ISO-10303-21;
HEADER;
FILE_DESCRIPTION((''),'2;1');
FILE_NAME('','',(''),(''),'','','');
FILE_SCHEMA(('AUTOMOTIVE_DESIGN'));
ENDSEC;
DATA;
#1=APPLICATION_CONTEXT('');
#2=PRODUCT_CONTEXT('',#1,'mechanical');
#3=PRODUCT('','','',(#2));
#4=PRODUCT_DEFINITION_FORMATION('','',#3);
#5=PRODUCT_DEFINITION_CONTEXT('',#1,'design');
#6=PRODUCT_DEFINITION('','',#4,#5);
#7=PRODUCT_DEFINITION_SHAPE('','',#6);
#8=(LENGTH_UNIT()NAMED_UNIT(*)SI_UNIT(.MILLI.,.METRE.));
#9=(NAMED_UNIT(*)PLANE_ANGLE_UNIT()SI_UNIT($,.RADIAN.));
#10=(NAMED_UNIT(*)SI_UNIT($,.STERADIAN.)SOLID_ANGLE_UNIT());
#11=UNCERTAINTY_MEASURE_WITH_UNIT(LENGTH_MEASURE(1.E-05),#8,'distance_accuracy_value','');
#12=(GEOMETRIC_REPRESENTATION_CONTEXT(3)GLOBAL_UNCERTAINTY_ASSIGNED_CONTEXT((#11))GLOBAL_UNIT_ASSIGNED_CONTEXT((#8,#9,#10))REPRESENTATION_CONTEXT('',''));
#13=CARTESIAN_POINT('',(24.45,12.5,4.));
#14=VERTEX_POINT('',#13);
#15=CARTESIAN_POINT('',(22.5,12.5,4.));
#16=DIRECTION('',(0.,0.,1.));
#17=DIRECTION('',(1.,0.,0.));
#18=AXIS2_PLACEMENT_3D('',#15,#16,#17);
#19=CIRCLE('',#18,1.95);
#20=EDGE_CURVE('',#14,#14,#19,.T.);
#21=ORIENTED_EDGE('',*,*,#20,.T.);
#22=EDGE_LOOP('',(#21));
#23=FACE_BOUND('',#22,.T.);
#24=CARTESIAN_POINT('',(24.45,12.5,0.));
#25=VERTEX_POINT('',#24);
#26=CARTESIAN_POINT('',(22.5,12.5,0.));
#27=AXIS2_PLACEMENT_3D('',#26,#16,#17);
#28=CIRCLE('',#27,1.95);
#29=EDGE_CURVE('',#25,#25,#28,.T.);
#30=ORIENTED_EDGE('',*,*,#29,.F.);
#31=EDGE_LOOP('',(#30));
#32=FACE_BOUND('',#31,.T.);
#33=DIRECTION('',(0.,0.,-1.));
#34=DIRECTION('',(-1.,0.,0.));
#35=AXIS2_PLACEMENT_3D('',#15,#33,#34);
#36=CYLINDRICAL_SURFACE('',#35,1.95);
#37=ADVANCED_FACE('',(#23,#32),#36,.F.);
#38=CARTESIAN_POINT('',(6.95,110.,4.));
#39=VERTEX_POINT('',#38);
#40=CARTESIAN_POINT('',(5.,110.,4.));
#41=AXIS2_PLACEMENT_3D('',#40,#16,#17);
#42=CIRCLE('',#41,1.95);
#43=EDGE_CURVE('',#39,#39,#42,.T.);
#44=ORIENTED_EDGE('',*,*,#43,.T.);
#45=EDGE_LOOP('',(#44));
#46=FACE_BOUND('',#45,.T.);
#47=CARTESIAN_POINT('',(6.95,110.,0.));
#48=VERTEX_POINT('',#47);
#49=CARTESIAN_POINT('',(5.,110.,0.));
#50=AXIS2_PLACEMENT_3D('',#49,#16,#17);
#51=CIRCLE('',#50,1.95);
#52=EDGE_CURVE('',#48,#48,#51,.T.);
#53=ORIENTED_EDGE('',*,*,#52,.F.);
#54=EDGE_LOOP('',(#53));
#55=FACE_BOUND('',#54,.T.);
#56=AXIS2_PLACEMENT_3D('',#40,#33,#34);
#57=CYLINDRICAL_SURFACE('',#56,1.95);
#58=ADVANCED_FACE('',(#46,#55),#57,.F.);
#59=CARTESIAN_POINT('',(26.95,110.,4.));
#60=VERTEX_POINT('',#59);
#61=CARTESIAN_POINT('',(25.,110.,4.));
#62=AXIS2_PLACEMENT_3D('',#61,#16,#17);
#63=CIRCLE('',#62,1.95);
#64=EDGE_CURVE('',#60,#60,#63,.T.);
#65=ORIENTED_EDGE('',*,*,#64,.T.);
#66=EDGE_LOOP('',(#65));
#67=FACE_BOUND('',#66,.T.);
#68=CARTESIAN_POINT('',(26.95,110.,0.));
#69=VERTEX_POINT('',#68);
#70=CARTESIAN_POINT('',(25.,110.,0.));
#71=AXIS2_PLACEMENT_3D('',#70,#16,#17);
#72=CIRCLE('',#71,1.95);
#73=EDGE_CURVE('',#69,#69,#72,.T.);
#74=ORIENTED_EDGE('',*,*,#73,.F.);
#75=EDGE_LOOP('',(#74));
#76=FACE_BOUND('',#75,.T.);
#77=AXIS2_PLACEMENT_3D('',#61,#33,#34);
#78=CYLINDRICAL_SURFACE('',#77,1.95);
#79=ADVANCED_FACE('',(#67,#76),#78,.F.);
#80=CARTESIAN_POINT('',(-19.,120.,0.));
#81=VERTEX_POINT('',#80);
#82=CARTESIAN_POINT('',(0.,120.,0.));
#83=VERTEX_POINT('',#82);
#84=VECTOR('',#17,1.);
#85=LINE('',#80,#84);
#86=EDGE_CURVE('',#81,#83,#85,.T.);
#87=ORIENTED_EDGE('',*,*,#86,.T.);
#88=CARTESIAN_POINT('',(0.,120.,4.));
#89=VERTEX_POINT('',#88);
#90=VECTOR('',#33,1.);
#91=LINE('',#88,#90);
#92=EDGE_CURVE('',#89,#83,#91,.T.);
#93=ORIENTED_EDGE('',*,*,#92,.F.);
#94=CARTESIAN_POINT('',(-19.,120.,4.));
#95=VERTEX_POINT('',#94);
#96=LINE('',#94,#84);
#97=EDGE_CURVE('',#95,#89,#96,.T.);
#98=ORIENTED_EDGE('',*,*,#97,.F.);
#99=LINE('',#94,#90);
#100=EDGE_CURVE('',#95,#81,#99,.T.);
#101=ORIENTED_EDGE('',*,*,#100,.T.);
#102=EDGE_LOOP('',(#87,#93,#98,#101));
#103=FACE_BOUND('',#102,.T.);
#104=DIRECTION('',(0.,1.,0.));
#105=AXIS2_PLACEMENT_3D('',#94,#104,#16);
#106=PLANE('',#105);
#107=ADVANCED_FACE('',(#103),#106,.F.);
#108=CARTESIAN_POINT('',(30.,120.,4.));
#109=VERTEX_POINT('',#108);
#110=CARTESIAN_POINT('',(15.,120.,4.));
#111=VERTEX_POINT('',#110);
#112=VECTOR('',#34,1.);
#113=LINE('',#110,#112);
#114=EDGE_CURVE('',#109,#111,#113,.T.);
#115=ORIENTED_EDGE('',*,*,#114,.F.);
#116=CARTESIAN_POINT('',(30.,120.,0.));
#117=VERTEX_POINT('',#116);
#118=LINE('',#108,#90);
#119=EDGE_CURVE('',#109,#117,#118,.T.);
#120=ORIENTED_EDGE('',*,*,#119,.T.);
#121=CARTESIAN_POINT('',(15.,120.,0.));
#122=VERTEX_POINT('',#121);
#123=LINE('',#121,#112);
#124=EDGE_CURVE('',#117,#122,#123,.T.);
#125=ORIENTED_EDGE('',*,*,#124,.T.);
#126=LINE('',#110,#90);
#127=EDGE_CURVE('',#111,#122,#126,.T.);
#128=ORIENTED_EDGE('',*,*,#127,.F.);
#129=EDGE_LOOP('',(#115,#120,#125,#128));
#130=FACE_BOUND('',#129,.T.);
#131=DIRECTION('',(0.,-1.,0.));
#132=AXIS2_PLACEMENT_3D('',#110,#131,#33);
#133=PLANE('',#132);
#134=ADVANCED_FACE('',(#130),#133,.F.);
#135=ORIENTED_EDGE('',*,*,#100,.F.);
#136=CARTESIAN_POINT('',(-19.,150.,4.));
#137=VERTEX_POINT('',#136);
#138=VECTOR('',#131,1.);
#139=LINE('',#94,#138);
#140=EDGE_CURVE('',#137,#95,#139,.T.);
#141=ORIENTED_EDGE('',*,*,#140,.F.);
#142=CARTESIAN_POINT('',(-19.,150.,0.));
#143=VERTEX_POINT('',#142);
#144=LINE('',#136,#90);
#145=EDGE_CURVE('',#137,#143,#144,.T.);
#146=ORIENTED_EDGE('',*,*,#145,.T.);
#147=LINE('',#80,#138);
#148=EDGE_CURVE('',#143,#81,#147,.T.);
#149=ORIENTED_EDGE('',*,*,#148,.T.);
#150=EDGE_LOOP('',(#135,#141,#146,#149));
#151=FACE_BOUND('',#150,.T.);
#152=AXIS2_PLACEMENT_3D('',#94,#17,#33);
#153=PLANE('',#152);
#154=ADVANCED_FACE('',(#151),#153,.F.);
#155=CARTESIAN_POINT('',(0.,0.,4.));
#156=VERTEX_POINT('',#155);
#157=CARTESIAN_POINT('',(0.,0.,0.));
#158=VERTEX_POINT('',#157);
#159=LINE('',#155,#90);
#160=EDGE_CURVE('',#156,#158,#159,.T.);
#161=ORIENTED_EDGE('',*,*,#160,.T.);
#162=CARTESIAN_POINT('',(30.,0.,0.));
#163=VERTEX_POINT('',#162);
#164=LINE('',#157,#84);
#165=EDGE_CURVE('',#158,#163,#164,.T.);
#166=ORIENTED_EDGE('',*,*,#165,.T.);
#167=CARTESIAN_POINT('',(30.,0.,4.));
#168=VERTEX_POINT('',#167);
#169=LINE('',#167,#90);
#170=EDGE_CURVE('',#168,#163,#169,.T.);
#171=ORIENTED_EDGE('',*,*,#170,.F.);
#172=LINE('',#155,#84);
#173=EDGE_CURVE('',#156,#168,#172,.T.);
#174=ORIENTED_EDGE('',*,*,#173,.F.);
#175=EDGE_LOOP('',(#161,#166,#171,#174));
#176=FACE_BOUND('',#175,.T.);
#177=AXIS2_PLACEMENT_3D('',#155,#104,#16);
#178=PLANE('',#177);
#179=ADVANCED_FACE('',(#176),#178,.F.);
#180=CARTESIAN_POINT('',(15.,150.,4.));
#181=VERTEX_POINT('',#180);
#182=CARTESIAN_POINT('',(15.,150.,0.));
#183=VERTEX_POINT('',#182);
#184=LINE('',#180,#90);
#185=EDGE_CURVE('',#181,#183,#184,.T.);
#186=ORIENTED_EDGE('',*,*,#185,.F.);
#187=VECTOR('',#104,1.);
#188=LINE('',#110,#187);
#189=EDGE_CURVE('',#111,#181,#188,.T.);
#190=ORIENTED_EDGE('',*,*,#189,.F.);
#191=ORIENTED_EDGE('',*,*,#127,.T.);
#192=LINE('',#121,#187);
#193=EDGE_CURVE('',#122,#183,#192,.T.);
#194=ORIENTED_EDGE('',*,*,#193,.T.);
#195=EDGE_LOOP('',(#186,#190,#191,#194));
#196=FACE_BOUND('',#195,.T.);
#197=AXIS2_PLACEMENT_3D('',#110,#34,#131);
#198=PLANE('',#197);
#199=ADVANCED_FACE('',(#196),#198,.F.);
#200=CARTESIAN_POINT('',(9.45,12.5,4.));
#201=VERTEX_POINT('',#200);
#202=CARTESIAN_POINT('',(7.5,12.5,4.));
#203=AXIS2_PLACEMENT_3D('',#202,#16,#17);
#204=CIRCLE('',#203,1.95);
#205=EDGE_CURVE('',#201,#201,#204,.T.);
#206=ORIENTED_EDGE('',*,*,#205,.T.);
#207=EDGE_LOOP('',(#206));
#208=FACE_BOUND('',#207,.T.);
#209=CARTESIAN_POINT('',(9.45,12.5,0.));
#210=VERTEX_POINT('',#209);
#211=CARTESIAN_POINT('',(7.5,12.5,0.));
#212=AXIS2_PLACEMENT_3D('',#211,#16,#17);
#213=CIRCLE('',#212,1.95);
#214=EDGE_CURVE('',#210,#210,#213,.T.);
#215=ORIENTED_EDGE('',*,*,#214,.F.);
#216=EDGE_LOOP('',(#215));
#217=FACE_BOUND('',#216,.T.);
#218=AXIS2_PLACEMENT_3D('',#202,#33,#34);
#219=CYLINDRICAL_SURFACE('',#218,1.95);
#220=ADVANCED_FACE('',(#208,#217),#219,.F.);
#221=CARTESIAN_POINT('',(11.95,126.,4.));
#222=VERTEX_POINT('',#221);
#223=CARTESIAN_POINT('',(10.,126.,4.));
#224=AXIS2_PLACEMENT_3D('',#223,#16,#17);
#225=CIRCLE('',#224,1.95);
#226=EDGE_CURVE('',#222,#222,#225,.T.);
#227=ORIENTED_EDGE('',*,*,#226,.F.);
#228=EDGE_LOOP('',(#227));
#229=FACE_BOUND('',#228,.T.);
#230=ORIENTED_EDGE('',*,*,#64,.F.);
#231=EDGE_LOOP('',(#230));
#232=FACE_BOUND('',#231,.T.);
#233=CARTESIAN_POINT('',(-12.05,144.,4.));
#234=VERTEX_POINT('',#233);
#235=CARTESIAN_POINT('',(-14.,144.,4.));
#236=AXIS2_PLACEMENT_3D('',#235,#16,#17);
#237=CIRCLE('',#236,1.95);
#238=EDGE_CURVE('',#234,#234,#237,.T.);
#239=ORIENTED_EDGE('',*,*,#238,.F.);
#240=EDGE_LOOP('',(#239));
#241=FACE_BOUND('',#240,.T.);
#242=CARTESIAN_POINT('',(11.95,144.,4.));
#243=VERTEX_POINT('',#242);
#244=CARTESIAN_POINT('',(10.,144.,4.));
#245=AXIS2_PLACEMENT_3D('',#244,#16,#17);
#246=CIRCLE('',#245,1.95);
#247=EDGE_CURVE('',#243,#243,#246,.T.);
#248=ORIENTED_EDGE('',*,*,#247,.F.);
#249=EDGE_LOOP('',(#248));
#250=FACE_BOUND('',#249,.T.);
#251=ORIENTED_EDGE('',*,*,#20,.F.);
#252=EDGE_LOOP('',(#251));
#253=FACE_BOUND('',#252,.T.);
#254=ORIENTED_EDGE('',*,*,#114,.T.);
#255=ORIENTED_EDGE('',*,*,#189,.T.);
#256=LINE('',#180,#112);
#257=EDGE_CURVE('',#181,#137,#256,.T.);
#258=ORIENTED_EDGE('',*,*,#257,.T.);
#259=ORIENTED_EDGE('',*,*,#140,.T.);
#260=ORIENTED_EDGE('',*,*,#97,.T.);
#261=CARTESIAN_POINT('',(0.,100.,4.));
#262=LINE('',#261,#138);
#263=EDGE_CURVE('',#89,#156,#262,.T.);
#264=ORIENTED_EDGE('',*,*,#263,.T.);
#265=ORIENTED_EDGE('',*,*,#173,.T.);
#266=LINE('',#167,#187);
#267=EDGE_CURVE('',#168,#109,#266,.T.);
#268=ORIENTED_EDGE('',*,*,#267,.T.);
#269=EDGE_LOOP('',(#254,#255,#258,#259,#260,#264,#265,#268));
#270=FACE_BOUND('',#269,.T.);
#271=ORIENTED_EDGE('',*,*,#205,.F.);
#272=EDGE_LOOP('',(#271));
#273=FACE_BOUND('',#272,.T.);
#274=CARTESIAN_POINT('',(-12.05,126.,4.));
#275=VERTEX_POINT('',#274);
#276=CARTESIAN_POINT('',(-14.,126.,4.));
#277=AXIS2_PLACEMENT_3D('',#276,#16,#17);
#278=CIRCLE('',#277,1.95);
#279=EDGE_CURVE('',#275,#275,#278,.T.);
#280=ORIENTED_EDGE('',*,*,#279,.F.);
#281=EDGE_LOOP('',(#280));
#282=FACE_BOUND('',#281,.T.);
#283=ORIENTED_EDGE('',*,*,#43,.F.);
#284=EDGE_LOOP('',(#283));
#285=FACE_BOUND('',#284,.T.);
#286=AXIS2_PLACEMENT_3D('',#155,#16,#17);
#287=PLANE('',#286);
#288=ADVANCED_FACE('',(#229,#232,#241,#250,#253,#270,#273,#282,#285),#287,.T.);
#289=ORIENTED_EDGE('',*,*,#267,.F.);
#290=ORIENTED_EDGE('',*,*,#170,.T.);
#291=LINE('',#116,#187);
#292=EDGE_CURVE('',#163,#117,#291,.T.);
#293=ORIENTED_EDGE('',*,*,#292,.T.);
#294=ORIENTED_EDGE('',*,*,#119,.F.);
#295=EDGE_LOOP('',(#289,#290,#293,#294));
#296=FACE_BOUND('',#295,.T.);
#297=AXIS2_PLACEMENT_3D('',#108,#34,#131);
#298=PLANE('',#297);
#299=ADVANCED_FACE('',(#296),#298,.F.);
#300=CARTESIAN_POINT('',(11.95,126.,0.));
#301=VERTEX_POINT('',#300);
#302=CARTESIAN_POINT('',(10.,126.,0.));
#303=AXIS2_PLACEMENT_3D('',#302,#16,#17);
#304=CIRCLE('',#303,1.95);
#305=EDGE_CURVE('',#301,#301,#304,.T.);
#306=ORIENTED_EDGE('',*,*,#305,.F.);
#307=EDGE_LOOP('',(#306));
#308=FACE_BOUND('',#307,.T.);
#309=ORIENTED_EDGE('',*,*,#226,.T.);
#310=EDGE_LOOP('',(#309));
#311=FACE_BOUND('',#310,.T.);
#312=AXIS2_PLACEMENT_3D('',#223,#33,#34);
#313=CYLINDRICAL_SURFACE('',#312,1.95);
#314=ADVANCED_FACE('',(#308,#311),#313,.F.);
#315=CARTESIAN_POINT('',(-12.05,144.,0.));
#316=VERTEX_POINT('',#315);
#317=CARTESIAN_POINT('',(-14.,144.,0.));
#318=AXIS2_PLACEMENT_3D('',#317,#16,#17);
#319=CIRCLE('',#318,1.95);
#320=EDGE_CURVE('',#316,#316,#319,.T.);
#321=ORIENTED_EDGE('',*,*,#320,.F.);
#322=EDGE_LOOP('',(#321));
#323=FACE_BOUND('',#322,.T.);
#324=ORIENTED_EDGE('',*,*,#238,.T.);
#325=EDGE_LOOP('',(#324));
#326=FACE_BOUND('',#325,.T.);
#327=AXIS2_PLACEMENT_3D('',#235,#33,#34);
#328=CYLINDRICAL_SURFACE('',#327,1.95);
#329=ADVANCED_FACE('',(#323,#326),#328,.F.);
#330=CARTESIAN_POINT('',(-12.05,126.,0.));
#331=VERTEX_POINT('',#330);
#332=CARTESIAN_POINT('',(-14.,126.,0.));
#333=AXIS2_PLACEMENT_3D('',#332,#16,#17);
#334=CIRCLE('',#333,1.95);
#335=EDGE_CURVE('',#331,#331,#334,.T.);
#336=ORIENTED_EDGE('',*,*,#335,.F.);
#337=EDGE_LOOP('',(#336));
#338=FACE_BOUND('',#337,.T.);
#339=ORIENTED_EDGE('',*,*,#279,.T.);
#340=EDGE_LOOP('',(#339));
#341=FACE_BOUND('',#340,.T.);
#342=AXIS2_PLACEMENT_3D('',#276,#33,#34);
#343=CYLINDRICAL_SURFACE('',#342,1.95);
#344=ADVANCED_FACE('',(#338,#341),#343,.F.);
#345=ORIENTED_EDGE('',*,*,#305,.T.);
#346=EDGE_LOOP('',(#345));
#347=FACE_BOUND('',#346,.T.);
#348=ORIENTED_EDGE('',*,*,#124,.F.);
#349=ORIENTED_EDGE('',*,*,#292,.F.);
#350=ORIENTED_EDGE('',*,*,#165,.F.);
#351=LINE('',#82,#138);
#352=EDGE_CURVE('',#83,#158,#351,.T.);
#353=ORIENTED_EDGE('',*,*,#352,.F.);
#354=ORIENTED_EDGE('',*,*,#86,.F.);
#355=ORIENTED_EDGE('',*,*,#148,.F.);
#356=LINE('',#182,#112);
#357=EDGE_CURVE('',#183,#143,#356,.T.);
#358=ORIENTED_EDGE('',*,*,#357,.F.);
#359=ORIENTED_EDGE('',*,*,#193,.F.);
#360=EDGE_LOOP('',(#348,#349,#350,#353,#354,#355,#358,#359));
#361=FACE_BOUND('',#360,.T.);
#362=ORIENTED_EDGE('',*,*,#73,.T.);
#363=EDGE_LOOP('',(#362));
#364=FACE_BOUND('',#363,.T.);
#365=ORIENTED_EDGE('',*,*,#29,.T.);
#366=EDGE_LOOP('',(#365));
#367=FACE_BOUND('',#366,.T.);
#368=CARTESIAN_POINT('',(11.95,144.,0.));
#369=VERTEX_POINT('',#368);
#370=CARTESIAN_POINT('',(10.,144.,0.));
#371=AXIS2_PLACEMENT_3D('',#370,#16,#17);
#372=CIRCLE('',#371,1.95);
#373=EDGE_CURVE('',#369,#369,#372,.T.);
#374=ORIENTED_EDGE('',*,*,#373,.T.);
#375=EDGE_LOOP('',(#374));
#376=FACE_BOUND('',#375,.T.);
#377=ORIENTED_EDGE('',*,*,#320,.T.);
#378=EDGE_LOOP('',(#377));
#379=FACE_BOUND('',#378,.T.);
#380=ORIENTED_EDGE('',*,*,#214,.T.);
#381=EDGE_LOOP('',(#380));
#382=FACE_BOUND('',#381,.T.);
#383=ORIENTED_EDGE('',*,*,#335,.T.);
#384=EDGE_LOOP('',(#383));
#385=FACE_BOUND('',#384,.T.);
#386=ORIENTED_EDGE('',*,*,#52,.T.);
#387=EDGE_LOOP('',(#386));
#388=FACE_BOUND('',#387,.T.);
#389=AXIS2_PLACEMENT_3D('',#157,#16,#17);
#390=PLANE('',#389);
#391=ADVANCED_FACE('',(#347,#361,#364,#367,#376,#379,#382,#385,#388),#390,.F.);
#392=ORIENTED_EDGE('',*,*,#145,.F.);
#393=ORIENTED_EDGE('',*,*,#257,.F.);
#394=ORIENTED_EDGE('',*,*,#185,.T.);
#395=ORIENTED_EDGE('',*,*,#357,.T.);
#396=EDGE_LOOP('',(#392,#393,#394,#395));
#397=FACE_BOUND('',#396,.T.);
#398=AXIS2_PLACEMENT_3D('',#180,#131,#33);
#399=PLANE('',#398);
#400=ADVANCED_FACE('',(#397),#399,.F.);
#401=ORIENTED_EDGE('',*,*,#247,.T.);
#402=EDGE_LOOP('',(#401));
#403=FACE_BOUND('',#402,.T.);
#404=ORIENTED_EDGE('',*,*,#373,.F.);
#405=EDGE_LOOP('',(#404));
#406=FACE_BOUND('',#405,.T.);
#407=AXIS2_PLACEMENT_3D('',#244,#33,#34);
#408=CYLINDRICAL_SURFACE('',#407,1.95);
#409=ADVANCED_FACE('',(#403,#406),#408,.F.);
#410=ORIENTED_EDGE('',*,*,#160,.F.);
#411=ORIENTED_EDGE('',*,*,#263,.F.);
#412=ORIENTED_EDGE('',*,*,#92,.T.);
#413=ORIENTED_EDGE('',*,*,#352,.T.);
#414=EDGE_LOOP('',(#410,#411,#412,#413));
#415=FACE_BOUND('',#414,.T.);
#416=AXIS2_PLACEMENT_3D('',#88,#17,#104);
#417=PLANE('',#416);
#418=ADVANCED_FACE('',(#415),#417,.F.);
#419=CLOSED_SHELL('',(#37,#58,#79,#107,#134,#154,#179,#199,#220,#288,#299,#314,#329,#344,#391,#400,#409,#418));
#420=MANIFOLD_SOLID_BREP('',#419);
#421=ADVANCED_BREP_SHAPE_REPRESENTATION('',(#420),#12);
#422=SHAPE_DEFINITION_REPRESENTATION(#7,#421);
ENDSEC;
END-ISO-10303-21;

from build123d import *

# Parameters (mm, degrees)
SKETCH_1_R      = 1.95
EXTRUDE_1_DEPTH = 4


with BuildPart() as part:
    # 草图1 → 凸台-拉伸1 (new body)
    with BuildSketch(Plane.XY):
        Polygon((0, 0), (30, 0), (30, 99.927726458), (30, 120), (15, 120), (15, 150), (-19, 150), (-19, 120), (0, 120), (0, 100), align=None)
        with Locations((7.5, 12.5)):
            Circle(SKETCH_1_R, mode=Mode.SUBTRACT)
        with Locations((22.5, 12.5)):
            Circle(SKETCH_1_R, mode=Mode.SUBTRACT)
        with Locations((-14, 144)):
            Circle(SKETCH_1_R, mode=Mode.SUBTRACT)
        with Locations((10, 144)):
            Circle(SKETCH_1_R, mode=Mode.SUBTRACT)
        with Locations((-14, 126)):
            Circle(SKETCH_1_R, mode=Mode.SUBTRACT)
        with Locations((10, 126)):
            Circle(SKETCH_1_R, mode=Mode.SUBTRACT)
        with Locations((5, 110)):
            Circle(SKETCH_1_R, mode=Mode.SUBTRACT)
        with Locations((25, 110)):
            Circle(SKETCH_1_R, mode=Mode.SUBTRACT)
    extrude(amount=EXTRUDE_1_DEPTH)


solid = part.part
